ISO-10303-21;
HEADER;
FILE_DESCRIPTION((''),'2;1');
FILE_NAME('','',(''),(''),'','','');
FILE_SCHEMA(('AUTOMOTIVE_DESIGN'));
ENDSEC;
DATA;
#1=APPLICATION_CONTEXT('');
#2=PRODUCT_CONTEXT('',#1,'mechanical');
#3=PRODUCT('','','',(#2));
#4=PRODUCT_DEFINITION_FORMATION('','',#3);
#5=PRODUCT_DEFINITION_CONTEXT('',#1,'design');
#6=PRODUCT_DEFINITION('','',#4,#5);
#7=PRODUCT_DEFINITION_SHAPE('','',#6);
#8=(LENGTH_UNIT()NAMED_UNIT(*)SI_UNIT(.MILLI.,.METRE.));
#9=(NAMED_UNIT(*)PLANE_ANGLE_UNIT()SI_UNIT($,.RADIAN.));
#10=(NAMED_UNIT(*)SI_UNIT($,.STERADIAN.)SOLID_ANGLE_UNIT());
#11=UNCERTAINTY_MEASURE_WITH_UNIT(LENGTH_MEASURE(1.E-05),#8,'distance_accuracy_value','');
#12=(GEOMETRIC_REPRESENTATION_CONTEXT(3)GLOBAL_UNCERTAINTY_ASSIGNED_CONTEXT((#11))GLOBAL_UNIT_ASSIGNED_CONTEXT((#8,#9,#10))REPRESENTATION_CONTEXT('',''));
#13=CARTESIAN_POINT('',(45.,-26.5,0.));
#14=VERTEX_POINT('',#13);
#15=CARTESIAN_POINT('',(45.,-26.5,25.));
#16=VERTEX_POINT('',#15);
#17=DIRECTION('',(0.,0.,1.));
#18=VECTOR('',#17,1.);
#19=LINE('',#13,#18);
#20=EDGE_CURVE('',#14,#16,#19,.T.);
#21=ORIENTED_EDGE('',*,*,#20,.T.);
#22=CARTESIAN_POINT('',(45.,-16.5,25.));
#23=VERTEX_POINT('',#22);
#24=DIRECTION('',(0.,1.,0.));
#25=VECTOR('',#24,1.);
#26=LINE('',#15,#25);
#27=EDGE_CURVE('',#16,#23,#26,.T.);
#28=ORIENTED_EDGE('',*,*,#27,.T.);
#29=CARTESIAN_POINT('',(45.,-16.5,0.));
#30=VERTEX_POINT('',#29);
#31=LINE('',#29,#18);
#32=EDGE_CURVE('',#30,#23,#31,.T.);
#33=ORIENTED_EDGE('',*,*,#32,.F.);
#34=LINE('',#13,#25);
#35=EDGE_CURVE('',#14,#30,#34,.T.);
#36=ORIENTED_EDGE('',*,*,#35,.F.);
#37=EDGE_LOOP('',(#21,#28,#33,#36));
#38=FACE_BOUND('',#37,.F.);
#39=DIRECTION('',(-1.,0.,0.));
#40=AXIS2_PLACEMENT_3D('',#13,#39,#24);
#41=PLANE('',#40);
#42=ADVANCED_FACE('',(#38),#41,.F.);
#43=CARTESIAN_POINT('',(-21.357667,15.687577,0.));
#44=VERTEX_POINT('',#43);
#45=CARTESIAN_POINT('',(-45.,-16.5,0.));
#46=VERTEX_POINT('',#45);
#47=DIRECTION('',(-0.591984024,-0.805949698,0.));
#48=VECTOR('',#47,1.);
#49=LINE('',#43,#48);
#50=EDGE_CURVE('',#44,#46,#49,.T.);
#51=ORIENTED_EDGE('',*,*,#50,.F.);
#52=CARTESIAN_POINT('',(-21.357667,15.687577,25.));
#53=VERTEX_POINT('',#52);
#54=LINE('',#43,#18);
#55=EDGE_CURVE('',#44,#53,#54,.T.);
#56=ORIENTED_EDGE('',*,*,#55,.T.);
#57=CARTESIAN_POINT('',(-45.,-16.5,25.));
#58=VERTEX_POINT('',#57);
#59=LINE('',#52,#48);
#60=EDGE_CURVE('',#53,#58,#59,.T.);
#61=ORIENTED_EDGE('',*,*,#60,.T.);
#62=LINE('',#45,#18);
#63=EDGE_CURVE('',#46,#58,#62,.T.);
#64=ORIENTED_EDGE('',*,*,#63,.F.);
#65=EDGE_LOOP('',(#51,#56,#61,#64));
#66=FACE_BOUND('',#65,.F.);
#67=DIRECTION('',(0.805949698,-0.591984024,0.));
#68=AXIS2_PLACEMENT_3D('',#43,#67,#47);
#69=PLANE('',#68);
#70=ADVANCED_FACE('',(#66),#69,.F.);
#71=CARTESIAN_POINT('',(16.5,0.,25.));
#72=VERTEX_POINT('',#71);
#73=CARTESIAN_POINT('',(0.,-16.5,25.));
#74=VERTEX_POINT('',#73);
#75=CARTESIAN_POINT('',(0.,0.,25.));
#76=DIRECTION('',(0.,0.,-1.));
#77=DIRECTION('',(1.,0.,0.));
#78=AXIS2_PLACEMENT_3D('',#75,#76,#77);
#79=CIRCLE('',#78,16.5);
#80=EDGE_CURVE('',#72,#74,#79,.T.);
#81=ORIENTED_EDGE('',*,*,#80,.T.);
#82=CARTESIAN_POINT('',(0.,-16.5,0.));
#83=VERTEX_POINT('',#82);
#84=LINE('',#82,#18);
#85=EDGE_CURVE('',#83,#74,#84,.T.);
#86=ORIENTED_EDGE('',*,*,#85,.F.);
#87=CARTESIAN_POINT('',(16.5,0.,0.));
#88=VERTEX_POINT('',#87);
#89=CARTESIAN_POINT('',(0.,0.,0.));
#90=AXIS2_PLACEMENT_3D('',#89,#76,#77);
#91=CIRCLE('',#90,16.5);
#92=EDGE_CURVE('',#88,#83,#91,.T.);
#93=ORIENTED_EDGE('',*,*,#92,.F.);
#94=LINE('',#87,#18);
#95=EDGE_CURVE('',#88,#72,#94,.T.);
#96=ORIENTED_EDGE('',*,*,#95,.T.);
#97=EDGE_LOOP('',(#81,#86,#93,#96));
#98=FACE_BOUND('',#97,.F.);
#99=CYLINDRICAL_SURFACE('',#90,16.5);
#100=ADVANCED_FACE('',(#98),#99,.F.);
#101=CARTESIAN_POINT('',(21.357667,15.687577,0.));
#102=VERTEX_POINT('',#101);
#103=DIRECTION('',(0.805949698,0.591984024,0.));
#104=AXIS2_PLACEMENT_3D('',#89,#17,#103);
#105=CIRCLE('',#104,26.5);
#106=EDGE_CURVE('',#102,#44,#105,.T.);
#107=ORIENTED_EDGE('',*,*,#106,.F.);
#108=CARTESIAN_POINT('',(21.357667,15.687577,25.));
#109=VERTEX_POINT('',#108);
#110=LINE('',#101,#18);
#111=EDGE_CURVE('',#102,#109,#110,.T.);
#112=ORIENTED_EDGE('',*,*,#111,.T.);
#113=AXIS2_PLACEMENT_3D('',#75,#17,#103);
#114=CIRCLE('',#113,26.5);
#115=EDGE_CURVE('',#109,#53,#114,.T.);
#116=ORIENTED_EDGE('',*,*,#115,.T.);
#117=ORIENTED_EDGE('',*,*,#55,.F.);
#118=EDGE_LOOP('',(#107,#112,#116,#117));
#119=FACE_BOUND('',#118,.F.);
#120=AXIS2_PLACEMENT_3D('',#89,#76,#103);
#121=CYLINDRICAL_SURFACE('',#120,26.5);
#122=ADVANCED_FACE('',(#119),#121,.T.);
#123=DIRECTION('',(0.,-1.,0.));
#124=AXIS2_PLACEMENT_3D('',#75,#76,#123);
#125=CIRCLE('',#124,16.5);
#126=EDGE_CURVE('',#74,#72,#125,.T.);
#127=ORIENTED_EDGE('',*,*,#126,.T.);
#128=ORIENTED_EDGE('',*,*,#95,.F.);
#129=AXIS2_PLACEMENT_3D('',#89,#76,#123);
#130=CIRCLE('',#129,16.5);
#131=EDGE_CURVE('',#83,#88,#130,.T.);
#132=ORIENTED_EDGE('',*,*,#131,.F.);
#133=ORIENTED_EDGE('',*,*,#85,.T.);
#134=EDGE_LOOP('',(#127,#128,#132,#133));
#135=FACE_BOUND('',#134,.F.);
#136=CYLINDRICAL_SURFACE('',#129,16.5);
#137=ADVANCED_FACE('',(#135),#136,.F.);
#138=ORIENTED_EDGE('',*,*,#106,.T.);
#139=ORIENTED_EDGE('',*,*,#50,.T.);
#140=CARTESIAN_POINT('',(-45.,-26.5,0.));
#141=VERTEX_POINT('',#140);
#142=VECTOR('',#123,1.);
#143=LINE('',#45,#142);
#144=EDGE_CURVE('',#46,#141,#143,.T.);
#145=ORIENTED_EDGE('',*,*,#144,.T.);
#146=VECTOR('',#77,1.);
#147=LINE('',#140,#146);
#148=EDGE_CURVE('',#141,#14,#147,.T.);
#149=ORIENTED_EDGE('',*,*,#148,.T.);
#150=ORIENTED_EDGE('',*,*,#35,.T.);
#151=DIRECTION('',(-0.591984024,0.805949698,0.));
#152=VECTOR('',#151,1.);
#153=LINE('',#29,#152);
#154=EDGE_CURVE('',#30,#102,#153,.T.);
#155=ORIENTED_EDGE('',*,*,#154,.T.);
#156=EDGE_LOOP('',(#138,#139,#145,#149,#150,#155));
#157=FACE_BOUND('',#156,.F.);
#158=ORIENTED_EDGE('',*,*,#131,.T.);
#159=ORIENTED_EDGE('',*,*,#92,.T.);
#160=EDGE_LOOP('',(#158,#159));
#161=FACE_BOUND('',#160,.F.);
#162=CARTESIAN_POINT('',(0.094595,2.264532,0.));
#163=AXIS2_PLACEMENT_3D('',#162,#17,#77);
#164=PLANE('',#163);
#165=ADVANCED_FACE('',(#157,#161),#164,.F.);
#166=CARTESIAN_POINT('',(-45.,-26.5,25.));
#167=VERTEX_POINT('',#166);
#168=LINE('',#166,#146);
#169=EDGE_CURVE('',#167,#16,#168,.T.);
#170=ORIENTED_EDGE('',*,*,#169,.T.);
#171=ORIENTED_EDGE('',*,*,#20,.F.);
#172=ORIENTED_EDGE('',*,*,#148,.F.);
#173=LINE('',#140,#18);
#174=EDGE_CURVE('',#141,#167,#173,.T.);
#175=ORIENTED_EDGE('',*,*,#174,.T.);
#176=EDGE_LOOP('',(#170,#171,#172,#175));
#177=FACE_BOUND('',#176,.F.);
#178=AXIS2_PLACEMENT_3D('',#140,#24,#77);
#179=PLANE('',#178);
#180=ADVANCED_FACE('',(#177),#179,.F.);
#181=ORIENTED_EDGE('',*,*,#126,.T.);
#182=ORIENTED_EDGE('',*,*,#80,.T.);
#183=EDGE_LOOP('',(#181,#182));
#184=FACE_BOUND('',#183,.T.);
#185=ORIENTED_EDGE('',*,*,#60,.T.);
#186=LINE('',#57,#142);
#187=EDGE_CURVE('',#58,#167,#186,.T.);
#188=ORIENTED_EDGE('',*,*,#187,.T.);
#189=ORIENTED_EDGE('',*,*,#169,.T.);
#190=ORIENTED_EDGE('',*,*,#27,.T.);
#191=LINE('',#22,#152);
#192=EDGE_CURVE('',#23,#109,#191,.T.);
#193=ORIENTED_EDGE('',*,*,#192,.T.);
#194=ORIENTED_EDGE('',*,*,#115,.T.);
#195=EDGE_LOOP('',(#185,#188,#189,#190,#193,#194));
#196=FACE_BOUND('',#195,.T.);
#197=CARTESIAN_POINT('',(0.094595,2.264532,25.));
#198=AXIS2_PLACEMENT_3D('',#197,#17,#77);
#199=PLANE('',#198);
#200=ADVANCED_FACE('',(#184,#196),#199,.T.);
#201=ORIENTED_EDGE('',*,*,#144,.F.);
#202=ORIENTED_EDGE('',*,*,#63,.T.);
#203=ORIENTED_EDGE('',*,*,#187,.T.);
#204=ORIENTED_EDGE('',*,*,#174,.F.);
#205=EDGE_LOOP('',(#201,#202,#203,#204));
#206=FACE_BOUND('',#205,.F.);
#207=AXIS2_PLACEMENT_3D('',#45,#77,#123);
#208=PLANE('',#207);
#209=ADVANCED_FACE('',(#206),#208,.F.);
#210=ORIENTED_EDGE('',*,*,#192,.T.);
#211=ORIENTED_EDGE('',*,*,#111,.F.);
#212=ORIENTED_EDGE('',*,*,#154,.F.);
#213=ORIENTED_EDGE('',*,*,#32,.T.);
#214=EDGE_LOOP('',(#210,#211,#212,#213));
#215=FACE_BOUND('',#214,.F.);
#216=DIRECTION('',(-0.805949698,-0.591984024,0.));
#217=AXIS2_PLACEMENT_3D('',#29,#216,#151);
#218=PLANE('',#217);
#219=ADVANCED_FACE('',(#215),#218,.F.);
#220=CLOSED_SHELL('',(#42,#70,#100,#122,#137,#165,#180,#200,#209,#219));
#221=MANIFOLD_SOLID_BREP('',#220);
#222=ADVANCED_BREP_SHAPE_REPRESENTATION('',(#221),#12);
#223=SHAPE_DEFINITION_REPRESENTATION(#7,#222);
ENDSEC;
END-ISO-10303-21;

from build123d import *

# Parameters (mm, degrees)
F1_DEPTH = 25


with BuildPart() as f1:
    # F0 (on Top) → F1 (new body)
    with BuildSketch(Plane.XY):
        with BuildLine():
            Line((-20.7364413533, -16.5), (0, -16.5))
            Line((0, -16.5), (20.7364413533, -16.5))
            ThreePointArc((20.7364413533, -16.5), (25.0176507277, -8.7388301316), (26.5, 0))
            ThreePointArc((26.5, 0), (25.181622021, 8.2544480367), (21.3576669894, 15.6875766379))
            ThreePointArc((21.3576669894, 15.6875766379), (0, 26.5), (-21.3576669894, 15.6875766379))
            ThreePointArc((-21.3576669894, 15.6875766379), (-26.4950658, -0.5113592207), (-20.7364413533, -16.5))
        make_face()
        with BuildLine():
            ThreePointArc((0, -16.5), (-11.6672618896, 11.6672618896), (16.5, 0))
            ThreePointArc((16.5, 0), (11.6672618896, -11.6672618896), (0, -16.5))
        make_face(mode=Mode.SUBTRACT)
        with BuildLine():
            Line((20.7364413533, -16.5), (0, -16.5))
            Line((0, -16.5), (0, -26.5))
            ThreePointArc((0, -26.5), (11.5108644332, -23.8694365246), (20.7364413533, -16.5))
        make_face()
        with BuildLine():
            Line((0, -26.5), (0, -16.5))
            Line((0, -16.5), (-20.7364413533, -16.5))
            ThreePointArc((-20.7364413533, -16.5), (-11.5108644332, -23.8694365246), (0, -26.5))
        make_face()
        with BuildLine():
            Line((45, -16.5), (20.7364413533, -16.5))
            ThreePointArc((20.7364413533, -16.5), (11.5108644332, -23.8694365246), (0, -26.5))
            Line((0, -26.5), (45, -26.5))
            Line((45, -26.5), (45, -16.5))
        make_face()
        with BuildLine():
            ThreePointArc((26.5, 0), (25.0176507277, -8.7388301316), (20.7364413533, -16.5))
            Line((20.7364413533, -16.5), (45, -16.5))
            Line((45, -16.5), (21.3576669894, 15.6875766379))
            ThreePointArc((21.3576669894, 15.6875766379), (25.181622021, 8.2544480367), (26.5, 0))
        make_face()
        with BuildLine():
            Line((-45, -26.5), (0, -26.5))
            ThreePointArc((0, -26.5), (-11.5108644332, -23.8694365246), (-20.7364413533, -16.5))
            Line((-20.7364413533, -16.5), (-45, -16.5))
            Line((-45, -16.5), (-45, -26.5))
        make_face()
        with BuildLine():
            Line((-45, -16.5), (-20.7364413533, -16.5))
            ThreePointArc((-20.7364413533, -16.5), (-26.4950658, -0.5113592207), (-21.3576669894, 15.6875766379))
            Line((-21.3576669894, 15.6875766379), (-45, -16.5))
        make_face()
    extrude(amount=F1_DEPTH)


solid = f1.part
